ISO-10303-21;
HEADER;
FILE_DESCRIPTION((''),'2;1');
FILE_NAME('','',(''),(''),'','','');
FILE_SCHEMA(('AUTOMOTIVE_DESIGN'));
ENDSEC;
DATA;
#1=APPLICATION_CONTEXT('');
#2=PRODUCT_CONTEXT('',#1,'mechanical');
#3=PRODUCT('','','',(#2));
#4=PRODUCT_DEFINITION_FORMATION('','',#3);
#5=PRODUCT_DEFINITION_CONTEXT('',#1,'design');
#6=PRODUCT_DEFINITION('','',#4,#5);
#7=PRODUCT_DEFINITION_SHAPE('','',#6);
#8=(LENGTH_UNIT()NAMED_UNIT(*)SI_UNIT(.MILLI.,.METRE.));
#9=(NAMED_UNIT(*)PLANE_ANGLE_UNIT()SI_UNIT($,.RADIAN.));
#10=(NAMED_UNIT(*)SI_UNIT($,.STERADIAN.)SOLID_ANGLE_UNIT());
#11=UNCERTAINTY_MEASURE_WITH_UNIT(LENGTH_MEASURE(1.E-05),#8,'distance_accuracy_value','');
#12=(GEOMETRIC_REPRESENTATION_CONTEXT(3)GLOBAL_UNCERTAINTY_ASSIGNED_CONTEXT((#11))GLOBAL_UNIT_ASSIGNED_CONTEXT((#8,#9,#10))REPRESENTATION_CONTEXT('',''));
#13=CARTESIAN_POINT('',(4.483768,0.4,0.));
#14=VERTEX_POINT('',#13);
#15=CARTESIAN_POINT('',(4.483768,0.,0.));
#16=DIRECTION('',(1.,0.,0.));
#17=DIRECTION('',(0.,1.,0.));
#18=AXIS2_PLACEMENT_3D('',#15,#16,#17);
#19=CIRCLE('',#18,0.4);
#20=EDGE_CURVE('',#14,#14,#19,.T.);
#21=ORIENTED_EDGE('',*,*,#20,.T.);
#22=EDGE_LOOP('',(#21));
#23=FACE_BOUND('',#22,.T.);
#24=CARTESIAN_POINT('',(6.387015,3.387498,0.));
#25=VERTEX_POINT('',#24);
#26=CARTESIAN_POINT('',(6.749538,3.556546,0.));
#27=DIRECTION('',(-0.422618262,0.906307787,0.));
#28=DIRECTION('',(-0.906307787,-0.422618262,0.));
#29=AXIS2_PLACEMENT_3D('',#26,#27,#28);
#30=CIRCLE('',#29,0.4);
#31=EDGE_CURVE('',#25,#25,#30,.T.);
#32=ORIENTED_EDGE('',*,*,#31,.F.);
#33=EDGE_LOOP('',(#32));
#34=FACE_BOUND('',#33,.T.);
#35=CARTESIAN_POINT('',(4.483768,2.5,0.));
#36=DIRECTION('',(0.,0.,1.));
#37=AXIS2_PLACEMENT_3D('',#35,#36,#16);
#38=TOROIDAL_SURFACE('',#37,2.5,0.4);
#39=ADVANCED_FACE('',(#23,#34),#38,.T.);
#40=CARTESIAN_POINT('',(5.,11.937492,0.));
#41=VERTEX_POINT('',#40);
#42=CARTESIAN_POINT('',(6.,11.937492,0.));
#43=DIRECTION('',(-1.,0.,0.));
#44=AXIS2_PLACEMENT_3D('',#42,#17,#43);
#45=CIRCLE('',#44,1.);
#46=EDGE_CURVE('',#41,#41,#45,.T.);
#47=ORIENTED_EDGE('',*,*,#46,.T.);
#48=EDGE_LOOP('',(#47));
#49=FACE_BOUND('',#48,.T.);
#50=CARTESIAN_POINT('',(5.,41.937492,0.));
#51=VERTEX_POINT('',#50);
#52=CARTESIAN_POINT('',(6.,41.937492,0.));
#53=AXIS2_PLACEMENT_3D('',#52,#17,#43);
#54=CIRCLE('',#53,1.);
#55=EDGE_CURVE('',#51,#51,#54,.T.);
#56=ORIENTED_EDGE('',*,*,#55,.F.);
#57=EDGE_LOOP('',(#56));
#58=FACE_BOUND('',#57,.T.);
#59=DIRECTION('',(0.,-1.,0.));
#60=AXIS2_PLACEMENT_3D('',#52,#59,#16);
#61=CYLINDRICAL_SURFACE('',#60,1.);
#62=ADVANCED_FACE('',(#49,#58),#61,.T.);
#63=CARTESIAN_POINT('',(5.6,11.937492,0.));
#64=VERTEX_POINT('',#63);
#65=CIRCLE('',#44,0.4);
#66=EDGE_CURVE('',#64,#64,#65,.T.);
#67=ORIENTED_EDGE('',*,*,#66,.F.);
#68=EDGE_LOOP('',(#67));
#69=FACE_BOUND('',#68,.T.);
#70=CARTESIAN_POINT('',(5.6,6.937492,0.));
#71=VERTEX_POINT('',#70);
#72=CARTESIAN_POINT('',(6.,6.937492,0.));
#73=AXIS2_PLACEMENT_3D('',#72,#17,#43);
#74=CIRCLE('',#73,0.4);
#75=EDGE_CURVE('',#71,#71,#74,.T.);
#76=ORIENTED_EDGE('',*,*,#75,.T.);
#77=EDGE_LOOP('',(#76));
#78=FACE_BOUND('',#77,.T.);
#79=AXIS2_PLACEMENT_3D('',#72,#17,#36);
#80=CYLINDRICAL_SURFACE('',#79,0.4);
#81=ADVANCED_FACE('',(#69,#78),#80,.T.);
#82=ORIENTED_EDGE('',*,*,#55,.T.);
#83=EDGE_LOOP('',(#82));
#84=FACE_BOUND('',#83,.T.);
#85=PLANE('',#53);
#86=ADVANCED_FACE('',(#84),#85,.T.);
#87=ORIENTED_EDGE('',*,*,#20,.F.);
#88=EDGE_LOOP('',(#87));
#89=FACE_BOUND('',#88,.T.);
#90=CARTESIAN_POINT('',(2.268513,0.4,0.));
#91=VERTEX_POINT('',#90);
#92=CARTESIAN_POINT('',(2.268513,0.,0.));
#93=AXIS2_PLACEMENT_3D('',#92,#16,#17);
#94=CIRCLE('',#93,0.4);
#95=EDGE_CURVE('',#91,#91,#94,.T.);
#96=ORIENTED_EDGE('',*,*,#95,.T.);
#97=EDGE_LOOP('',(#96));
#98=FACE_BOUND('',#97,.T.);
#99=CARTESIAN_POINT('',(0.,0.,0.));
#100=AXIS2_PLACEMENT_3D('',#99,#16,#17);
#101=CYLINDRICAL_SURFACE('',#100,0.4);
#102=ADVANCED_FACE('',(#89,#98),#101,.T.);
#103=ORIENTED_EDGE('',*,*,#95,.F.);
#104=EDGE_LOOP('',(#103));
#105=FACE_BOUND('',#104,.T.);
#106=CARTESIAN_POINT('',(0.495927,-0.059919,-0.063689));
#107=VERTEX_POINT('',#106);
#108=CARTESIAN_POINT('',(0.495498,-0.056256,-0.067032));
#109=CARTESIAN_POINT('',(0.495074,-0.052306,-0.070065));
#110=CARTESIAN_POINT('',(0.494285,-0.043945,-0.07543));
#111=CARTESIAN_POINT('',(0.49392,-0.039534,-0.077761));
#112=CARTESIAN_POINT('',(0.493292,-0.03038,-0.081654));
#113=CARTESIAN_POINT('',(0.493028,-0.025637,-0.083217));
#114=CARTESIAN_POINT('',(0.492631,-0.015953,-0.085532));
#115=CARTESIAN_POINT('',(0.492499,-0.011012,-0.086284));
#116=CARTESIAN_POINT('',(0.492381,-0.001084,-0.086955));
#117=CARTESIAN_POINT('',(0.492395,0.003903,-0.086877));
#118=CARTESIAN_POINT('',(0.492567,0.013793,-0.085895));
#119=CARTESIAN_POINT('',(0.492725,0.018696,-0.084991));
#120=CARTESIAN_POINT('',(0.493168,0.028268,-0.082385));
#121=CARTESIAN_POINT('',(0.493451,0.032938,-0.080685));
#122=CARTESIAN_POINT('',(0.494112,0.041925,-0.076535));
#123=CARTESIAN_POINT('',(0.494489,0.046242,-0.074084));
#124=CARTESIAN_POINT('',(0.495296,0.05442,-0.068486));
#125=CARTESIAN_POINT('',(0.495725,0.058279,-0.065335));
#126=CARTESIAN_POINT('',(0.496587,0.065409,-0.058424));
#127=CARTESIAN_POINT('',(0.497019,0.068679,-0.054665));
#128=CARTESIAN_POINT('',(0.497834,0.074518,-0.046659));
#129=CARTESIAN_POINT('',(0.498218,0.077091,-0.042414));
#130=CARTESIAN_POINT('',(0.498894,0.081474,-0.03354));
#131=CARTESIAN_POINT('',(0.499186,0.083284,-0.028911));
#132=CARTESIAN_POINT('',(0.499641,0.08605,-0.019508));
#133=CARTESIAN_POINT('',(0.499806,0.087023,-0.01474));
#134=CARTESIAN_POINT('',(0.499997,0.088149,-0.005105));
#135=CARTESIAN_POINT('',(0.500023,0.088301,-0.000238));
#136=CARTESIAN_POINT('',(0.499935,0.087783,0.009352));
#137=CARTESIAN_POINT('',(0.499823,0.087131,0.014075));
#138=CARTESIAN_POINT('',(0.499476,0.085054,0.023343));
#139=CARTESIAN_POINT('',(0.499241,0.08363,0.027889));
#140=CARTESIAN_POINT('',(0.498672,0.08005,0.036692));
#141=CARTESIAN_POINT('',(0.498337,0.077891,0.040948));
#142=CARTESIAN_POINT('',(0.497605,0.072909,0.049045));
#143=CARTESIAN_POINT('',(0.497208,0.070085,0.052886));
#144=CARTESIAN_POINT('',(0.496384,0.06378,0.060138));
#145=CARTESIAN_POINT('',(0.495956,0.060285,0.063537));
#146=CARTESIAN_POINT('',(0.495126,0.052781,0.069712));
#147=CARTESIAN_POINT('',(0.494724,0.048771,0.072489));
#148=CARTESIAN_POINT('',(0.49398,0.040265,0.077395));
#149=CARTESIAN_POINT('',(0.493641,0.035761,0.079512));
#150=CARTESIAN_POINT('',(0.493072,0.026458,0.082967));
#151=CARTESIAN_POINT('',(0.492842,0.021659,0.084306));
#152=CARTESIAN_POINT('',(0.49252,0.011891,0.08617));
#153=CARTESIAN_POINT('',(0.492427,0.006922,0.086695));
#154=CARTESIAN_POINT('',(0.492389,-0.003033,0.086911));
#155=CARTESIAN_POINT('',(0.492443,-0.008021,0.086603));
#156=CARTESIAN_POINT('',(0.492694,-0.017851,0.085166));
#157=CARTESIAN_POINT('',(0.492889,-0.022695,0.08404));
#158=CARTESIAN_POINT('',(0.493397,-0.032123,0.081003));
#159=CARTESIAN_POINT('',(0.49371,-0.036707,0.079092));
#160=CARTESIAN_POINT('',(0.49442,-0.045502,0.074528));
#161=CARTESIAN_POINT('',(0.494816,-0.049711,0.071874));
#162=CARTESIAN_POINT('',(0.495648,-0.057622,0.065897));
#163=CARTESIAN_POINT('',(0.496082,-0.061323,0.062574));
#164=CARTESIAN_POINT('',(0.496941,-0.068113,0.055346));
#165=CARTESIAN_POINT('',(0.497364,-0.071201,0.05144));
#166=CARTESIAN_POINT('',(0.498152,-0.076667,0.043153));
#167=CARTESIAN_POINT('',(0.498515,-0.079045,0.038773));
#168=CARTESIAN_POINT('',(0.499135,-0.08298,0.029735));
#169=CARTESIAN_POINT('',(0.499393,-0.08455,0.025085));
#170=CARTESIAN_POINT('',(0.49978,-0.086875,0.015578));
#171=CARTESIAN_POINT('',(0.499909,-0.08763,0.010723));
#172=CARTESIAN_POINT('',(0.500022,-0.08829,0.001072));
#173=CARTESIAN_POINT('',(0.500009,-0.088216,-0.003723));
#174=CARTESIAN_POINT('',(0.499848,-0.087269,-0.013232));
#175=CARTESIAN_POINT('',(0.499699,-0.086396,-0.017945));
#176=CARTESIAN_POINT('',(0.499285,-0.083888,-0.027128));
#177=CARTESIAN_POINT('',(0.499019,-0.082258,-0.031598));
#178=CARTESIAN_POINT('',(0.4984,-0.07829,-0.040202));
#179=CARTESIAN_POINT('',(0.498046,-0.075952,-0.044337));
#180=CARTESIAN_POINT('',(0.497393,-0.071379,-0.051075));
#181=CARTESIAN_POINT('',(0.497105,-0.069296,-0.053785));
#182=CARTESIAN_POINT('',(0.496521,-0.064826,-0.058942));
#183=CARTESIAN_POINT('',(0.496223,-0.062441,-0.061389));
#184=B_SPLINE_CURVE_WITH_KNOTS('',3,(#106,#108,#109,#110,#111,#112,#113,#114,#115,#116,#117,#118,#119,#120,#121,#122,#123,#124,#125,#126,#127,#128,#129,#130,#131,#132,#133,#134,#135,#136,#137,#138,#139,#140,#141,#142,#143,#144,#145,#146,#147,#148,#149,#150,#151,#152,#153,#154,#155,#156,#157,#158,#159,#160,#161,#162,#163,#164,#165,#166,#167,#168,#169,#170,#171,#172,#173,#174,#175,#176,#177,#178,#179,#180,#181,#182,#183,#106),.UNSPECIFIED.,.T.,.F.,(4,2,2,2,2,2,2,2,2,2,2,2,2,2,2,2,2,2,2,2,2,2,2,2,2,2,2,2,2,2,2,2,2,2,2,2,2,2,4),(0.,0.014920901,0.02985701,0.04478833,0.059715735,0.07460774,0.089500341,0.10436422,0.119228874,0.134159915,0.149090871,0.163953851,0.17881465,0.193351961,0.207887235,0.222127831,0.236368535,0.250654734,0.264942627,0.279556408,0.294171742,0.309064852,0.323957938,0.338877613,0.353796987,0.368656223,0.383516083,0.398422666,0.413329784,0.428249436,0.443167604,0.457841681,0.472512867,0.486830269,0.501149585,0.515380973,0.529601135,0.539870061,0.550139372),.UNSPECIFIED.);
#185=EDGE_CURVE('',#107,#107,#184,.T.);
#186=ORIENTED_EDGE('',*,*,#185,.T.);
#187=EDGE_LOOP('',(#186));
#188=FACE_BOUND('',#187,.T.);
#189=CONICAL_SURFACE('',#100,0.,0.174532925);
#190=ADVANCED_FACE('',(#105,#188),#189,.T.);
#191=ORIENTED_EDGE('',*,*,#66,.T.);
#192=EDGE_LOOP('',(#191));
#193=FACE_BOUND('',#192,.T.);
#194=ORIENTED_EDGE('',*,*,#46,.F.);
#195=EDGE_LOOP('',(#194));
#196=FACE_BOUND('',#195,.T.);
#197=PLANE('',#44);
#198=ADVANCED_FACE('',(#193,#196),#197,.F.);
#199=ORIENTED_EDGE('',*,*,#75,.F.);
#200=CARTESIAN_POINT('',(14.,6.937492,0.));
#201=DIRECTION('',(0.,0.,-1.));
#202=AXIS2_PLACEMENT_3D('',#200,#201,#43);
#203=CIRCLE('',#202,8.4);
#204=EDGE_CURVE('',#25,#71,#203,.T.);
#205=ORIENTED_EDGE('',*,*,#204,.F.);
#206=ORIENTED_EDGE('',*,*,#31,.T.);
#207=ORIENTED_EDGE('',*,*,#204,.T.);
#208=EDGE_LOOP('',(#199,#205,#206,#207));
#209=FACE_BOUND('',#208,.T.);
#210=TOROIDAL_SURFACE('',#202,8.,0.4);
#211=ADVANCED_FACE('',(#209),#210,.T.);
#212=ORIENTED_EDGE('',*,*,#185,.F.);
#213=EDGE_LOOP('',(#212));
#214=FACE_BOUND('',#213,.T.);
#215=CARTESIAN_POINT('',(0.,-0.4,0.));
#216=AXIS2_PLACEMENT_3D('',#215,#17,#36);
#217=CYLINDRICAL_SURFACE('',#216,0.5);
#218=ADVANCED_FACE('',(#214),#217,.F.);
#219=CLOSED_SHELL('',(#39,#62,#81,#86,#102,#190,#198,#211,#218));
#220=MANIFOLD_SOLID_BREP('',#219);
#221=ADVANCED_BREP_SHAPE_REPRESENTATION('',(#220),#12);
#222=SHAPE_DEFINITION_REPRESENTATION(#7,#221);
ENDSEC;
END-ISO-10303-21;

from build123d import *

# Parameters (mm, degrees)
SKETCH2_R               = 0.5
CUT_EXTRUDE1_DEPTH      = 4.052867504
CUT_EXTRUDE1_DEPTH_BACK = 4.052867504
SKETCH3_R               = 0.4
SKETCH5_R               = 1
BOSS_EXTRUDE1_DEPTH     = 30


with BuildPart() as part:
    # Sketch1 → Revolve1 (revolve)
    with BuildSketch(Plane.XY, mode=Mode.PRIVATE) as revolve1_sk:
        Polygon((0, 0), (3, 0), (3, -0.4), (2.268512728, -0.4), align=None)
    revolve(revolve1_sk.sketch.rotate(Axis((0, 0, 0), (-1, 0, 0)), 180), axis=Axis((0, 0, 0), (-1, 0, 0)))

    # Sketch2 → Cut-Extrude1 (cut, two sides)
    with BuildSketch(Plane(origin=(0, 0, 0), x_dir=(1, 0, 0), z_dir=(0, 1, 0))) as cut_extrude1_sk:
        Circle(SKETCH2_R)
    extrude(amount=CUT_EXTRUDE1_DEPTH, mode=Mode.SUBTRACT)
    extrude(cut_extrude1_sk.sketch, amount=-CUT_EXTRUDE1_DEPTH_BACK, mode=Mode.SUBTRACT)

    # Sweep1: sweep along a path in Sketch4
    with BuildLine(Plane.XY) as sweep1_path:
        Line((3, 0), (4.483768236, 0))
        ThreePointArc((4.483768236, 0), (6.592246851, 1.156750979), (6.749537704, 3.556545654))
        ThreePointArc((6.749537704, 3.556545654), (6.189631943, 5.205974837), (6, 6.937491748))
        Line((6, 6.937491748), (6, 11.937491748))
    # Sketch3 → Sweep1 (sweep)
    with BuildSketch(Plane(origin=(3, 0, 0), x_dir=(0, 0, -1), z_dir=(1, 0, 0))):
        Circle(SKETCH3_R)
    sweep(path=sweep1_path.line)

    # Sketch5 → Boss-Extrude1 (add)
    with BuildSketch(Plane(origin=(0, 11.937491748, 0), x_dir=(-1, 0, 0), z_dir=(0, 1, 0))):
        with Locations((-6, 0)):
            Circle(SKETCH5_R)
    extrude(amount=BOSS_EXTRUDE1_DEPTH)


solid = part.part
